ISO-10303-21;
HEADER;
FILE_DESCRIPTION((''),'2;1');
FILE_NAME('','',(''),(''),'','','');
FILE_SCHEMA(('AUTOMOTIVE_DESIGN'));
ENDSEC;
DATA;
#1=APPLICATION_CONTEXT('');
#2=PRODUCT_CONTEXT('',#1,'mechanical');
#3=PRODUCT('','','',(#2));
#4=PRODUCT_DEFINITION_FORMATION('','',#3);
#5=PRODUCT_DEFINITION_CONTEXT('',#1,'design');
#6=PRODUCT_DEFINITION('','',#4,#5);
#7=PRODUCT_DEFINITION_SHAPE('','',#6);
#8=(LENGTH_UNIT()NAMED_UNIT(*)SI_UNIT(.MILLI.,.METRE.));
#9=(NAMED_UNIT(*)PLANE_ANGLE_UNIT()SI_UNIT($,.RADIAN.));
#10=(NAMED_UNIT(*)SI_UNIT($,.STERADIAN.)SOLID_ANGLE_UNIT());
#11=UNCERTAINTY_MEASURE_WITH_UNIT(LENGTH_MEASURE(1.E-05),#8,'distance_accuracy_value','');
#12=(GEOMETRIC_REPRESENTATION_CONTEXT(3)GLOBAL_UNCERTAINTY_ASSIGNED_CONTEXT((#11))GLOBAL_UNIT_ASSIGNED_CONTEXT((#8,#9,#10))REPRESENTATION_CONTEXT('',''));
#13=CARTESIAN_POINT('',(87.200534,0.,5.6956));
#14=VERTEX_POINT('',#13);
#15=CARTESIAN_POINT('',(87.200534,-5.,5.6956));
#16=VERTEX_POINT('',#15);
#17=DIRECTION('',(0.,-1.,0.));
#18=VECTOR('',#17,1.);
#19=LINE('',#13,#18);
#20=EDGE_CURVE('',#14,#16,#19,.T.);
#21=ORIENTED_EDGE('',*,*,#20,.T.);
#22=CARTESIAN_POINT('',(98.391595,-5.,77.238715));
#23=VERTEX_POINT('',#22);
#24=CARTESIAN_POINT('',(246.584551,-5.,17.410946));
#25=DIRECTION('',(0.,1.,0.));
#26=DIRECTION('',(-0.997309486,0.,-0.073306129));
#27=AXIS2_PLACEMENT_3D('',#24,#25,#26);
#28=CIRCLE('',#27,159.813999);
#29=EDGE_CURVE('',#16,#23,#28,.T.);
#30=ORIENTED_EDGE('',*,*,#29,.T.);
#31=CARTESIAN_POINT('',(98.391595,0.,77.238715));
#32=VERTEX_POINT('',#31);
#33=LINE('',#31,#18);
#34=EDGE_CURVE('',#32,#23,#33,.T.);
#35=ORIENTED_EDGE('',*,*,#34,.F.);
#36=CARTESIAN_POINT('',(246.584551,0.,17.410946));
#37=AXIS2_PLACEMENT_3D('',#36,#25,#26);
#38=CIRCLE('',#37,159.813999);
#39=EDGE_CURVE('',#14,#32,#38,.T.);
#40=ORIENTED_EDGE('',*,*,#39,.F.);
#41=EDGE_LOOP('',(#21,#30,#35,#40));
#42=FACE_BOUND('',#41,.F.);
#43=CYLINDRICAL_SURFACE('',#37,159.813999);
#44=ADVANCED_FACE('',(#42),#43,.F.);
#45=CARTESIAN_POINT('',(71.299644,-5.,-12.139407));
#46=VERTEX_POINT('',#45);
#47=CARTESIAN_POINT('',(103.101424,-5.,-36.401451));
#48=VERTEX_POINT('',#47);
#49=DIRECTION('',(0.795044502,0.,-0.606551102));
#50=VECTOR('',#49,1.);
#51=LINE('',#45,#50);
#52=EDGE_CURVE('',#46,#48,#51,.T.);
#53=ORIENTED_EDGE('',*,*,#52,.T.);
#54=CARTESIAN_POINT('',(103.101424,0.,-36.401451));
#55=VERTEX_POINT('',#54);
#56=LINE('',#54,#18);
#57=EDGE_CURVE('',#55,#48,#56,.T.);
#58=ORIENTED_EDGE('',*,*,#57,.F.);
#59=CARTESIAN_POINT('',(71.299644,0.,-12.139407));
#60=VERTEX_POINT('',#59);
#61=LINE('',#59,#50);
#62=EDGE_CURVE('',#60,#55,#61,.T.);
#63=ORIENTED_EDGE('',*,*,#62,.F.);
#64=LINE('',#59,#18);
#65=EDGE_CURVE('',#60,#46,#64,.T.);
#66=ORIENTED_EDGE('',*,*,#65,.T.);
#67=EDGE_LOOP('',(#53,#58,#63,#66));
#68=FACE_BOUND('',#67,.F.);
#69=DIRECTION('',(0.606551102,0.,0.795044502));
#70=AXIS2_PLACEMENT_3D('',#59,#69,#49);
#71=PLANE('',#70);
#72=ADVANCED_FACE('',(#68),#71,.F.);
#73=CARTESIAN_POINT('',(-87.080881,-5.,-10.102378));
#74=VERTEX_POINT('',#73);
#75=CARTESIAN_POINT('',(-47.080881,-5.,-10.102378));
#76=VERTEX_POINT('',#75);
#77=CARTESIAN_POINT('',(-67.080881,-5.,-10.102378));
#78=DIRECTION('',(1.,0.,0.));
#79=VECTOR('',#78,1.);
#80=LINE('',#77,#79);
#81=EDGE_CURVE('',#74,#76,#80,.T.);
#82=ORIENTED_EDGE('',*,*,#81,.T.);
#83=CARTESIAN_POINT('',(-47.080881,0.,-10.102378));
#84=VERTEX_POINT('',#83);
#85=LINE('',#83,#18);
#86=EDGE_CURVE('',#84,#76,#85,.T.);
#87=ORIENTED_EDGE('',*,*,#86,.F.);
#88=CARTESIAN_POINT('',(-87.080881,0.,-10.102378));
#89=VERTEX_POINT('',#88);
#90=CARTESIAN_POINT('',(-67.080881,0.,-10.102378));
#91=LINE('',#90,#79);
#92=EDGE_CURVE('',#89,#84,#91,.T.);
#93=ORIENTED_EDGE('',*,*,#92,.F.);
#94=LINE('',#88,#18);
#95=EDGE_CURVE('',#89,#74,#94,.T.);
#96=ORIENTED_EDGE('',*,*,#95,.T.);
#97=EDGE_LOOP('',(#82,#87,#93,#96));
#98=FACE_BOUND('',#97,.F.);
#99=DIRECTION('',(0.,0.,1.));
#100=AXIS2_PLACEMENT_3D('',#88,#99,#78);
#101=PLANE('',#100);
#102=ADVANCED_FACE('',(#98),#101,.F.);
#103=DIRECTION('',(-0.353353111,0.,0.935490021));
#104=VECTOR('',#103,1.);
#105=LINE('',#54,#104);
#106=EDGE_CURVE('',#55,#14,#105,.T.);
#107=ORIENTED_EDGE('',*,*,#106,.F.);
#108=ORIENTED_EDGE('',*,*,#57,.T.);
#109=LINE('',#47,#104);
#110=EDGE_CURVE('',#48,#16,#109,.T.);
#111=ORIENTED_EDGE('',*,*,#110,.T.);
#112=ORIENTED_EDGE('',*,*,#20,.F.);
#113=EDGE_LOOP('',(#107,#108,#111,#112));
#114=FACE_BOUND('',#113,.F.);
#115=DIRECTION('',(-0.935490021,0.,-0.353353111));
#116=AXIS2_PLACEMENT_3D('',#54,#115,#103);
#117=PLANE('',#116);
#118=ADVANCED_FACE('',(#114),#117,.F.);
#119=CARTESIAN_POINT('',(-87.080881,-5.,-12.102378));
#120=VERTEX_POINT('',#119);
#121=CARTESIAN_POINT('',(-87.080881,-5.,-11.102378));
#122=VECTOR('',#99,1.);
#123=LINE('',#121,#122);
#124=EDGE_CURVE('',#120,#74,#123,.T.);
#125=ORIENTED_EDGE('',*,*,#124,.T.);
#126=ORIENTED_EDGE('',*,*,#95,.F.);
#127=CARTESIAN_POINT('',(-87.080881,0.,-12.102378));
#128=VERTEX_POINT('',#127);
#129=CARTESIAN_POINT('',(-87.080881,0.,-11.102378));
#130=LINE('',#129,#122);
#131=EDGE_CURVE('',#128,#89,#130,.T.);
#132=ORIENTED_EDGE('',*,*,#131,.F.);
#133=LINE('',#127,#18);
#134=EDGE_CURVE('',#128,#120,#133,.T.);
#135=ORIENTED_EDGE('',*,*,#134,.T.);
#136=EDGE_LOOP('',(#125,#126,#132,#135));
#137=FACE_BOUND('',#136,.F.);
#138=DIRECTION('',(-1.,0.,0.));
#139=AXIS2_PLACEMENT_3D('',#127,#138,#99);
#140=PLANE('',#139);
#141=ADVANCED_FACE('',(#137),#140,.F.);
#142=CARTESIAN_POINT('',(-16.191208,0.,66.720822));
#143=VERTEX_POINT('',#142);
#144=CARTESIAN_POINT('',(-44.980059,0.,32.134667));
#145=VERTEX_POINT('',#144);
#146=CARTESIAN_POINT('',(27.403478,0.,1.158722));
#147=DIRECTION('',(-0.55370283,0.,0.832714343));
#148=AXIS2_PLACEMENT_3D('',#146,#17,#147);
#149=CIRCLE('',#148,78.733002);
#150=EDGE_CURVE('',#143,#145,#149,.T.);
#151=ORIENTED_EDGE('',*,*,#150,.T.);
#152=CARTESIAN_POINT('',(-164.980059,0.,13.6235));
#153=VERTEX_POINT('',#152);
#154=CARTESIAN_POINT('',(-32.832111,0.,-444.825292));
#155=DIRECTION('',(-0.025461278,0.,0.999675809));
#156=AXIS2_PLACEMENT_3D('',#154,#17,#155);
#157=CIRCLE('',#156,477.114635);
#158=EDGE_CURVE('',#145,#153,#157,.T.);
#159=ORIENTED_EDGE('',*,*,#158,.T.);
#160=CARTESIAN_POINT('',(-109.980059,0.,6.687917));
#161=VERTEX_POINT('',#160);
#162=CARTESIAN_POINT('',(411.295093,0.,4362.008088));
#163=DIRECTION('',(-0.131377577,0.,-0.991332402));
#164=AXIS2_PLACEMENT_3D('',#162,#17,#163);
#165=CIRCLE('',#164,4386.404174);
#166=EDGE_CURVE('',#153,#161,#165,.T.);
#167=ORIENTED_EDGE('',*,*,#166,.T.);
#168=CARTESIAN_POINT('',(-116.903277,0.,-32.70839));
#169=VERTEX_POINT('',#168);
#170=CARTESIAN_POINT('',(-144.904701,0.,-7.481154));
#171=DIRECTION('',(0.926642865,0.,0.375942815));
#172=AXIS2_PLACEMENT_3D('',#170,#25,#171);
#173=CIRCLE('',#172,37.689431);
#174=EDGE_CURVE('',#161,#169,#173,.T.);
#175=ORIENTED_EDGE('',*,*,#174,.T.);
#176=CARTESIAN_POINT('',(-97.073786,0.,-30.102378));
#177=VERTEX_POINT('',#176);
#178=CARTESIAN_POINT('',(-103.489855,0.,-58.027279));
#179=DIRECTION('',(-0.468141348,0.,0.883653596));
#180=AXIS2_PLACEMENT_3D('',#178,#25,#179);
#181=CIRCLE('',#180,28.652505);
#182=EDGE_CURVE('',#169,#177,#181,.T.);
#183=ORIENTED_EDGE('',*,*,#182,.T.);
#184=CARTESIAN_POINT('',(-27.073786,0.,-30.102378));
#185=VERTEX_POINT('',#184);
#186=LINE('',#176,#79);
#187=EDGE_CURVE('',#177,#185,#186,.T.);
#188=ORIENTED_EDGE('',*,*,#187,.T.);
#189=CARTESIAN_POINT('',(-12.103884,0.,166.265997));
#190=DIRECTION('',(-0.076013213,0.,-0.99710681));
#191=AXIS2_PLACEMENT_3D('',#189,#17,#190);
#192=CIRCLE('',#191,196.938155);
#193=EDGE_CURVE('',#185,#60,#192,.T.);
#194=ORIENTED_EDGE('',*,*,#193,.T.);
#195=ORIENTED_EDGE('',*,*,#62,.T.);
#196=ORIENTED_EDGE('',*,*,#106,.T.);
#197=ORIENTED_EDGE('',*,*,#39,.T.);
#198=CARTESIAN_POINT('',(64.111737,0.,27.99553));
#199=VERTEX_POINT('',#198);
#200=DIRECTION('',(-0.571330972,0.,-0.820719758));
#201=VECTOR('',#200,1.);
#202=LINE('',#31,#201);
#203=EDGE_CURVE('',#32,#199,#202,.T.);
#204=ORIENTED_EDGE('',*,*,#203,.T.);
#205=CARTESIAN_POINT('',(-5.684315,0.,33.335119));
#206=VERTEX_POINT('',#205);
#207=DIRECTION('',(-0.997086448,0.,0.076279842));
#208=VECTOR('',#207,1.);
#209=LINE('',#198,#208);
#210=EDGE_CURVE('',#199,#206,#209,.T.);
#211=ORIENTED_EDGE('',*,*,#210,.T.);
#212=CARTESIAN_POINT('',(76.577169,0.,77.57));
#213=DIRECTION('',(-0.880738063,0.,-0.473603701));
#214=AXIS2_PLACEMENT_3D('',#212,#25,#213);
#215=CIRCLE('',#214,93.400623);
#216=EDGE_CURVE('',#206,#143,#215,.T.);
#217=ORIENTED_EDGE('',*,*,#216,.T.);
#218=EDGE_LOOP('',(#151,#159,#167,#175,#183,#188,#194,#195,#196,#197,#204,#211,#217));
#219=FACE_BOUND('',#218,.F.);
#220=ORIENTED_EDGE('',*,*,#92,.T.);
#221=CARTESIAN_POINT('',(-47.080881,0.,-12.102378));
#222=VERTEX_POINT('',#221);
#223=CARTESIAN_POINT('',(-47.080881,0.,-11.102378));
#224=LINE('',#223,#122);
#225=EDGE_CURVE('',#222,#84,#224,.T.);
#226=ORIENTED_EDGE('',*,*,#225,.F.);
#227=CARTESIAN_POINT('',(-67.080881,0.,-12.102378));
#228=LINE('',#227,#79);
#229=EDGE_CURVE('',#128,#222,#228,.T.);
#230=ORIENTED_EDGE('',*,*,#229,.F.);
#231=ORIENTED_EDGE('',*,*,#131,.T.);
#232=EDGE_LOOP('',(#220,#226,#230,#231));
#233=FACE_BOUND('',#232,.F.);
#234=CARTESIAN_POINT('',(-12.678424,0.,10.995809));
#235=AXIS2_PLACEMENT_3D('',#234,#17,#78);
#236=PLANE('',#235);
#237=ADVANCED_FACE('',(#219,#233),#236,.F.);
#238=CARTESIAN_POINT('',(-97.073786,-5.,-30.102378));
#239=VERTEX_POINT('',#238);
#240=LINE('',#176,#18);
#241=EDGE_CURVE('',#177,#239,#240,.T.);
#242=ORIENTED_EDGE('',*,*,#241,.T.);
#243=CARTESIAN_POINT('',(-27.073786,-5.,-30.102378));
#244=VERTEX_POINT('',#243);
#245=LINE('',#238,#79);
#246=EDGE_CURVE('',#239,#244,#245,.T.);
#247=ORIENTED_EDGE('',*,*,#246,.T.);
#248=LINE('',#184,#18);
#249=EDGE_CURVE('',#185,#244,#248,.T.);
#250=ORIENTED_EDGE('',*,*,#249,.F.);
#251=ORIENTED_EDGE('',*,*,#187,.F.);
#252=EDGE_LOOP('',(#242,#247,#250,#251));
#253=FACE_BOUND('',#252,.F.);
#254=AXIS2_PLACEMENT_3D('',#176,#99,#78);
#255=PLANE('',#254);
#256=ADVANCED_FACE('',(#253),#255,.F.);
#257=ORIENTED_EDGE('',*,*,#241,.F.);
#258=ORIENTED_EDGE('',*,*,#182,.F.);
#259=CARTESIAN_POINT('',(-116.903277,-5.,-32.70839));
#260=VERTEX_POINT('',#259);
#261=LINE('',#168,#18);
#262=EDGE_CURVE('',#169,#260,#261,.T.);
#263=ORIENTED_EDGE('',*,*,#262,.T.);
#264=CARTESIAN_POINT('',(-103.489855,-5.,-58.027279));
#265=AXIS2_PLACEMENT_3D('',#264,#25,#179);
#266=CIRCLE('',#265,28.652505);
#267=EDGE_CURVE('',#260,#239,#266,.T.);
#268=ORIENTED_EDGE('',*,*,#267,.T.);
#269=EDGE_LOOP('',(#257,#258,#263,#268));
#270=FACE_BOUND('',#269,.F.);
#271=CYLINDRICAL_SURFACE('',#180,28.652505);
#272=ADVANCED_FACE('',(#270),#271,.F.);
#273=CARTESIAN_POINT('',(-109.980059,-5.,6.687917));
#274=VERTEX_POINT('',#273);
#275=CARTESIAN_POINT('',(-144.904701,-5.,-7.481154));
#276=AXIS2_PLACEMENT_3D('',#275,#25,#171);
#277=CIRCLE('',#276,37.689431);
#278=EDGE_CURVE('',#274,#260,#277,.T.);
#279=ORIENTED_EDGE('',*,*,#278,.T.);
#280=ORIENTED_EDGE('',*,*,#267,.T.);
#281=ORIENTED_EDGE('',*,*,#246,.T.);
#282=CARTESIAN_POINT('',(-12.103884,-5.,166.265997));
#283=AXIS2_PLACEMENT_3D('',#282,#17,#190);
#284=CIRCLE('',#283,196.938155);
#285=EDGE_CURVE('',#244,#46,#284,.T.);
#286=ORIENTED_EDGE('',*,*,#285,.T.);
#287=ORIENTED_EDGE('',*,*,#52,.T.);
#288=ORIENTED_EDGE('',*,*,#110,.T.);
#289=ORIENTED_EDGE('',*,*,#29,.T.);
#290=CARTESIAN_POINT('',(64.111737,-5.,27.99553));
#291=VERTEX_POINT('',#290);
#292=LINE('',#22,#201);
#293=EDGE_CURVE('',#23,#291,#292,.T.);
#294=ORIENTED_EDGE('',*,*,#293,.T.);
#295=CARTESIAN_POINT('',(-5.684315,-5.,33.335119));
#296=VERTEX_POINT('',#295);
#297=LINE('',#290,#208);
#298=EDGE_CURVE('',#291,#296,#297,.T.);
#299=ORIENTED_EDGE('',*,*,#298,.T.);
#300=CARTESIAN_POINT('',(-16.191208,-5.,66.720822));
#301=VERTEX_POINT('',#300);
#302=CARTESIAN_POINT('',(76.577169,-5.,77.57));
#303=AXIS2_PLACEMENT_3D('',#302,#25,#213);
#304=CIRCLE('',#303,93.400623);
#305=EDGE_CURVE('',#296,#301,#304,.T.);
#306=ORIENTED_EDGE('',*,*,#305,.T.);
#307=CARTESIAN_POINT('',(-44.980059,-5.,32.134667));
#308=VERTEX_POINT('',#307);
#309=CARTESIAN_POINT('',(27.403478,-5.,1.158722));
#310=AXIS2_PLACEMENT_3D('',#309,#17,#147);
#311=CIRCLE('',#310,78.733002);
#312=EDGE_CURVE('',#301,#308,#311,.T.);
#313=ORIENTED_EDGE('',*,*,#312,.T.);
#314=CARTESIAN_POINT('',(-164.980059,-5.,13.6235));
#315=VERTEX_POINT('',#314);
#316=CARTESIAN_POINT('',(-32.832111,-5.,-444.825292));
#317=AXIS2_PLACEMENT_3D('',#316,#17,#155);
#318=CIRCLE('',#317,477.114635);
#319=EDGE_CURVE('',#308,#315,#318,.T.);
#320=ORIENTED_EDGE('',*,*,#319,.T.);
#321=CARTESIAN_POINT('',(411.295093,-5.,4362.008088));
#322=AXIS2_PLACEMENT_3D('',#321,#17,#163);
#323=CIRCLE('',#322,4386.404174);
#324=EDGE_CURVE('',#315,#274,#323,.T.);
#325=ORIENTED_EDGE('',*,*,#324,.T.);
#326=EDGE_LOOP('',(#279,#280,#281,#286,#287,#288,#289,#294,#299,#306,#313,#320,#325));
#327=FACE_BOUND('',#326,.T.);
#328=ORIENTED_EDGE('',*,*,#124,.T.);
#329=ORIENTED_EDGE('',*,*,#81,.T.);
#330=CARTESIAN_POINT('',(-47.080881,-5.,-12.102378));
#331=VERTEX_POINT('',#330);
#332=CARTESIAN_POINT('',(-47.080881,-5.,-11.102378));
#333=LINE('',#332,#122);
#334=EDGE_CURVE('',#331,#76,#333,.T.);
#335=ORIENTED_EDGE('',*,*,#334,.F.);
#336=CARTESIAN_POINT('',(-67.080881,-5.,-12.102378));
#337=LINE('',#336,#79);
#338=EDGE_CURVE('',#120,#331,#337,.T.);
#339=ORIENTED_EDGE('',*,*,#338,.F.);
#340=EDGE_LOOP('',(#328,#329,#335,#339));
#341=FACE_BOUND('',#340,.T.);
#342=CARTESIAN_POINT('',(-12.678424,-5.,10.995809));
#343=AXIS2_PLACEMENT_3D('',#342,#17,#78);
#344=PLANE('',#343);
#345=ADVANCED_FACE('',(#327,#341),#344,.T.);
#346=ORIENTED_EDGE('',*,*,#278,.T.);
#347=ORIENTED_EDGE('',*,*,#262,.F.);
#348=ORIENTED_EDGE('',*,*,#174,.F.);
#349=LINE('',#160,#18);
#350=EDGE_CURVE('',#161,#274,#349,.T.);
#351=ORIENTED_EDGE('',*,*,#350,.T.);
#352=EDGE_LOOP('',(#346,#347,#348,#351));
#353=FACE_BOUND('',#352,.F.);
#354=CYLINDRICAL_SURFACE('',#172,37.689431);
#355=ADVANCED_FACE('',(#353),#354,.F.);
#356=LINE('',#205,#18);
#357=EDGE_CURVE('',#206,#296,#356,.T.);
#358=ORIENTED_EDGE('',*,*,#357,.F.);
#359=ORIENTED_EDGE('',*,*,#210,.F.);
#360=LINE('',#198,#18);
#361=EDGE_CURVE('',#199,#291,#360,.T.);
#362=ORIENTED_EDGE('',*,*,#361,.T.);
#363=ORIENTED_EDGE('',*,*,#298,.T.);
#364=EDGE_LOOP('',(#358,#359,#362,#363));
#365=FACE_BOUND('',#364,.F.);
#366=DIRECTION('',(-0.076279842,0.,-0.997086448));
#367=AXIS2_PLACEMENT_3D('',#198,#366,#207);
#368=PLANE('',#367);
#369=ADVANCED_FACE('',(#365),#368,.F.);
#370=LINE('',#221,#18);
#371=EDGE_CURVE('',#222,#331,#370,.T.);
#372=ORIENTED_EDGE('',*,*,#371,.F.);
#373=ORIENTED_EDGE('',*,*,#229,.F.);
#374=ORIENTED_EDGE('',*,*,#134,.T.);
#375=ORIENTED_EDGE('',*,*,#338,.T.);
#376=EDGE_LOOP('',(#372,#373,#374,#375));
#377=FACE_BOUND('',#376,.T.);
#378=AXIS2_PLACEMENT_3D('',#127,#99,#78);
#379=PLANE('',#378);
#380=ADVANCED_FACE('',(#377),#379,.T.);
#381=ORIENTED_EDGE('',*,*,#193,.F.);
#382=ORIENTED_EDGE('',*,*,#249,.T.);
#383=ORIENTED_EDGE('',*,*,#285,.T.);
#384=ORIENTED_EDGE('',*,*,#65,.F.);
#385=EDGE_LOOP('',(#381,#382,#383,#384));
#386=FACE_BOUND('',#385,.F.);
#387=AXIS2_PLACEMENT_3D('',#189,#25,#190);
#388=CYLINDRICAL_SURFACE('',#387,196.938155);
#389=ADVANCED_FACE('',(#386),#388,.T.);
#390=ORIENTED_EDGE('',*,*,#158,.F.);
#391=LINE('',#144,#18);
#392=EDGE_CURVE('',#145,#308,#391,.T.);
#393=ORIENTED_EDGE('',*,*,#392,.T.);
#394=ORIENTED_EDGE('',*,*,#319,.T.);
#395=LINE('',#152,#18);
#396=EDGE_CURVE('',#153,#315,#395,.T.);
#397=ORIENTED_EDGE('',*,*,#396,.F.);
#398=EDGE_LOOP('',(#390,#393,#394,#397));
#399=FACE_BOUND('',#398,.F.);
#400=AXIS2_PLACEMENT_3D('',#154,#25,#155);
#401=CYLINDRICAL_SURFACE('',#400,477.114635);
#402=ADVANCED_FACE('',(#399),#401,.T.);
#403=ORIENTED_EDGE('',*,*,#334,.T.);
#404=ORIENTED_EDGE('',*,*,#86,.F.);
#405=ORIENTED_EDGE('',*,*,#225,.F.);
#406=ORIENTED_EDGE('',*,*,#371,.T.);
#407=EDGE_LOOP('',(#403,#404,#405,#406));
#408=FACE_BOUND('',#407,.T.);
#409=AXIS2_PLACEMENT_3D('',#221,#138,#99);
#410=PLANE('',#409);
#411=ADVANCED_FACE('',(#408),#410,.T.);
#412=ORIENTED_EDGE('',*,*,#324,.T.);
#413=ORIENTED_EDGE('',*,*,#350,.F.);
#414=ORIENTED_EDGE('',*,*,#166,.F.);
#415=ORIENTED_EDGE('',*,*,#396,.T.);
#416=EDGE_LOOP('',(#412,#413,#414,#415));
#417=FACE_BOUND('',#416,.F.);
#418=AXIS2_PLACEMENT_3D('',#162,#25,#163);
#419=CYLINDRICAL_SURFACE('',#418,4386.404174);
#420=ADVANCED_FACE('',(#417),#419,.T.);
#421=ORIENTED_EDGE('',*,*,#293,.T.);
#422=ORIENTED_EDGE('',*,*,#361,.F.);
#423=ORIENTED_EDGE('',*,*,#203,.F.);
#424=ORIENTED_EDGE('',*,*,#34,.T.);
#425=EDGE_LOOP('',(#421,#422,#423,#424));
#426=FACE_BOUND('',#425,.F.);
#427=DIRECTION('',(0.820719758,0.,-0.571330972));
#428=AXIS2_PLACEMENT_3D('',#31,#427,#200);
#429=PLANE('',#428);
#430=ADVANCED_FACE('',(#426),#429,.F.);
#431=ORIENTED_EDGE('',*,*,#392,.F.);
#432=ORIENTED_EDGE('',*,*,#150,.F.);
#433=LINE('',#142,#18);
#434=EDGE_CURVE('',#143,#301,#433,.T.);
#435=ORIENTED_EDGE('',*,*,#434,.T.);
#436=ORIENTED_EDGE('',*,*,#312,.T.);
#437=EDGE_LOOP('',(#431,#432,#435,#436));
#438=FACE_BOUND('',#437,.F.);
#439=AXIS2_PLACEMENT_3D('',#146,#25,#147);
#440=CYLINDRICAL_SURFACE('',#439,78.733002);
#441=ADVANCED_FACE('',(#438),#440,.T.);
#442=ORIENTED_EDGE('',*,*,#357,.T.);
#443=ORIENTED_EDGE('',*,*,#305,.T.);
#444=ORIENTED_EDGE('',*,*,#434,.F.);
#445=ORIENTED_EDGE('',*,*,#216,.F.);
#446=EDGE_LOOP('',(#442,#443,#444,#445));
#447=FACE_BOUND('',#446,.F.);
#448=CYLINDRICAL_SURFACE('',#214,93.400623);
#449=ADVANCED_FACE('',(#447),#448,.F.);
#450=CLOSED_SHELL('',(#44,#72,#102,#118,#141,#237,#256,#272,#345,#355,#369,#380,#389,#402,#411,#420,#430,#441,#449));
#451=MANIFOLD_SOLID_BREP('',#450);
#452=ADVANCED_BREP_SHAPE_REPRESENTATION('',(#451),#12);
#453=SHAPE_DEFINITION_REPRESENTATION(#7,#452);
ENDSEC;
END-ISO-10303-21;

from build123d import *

# Parameters (mm, degrees)
F0_W     = 40
F0_H     = 2
F1_DEPTH = 5


with BuildPart() as f1:
    # F0 (on Front) → F1 (new body)
    with BuildSketch(Plane.XZ):
        with BuildLine():
            Line((64.111737, 27.99553), (-5.684315, 33.335119))
            ThreePointArc((-5.684315, 33.335119), (-12.51556, 49.531418), (-16.191208, 66.720822))
            ThreePointArc((-16.191208, 66.720822), (-33.109228, 51.528336), (-44.980059, 32.134667))
            ThreePointArc((-44.980059, 32.134667), (-105.571318, 26.711963), (-164.980059, 13.6235))
            ThreePointArc((-164.980059, 13.6235), (-137.491015, 10.068821), (-109.980059, 6.687917))
            ThreePointArc((-109.980059, 6.687917), (-107.784091, -14.004458), (-116.903277, -32.70839))
            ThreePointArc((-116.903277, -32.70839), (-107.223293, -29.61905), (-97.073786, -30.102378))
            Line((-97.073786, -30.102378), (-27.073786, -30.102378))
            ThreePointArc((-27.073786, -30.102378), (23.272059, -27.46882), (71.299644, -12.139407))
            Line((71.299644, -12.139407), (103.101424, -36.401451))
            Line((103.101424, -36.401451), (87.200534, 5.6956))
            ThreePointArc((87.200534, 5.6956), (88.69059, 42.109352), (98.391595, 77.238715))
            Line((98.391595, 77.238715), (64.111737, 27.99553))
        make_face()
        with Locations((-67.080881, -11.102378)):
            Rectangle(F0_W, F0_H, mode=Mode.SUBTRACT)
    extrude(amount=F1_DEPTH)


solid = f1.part
